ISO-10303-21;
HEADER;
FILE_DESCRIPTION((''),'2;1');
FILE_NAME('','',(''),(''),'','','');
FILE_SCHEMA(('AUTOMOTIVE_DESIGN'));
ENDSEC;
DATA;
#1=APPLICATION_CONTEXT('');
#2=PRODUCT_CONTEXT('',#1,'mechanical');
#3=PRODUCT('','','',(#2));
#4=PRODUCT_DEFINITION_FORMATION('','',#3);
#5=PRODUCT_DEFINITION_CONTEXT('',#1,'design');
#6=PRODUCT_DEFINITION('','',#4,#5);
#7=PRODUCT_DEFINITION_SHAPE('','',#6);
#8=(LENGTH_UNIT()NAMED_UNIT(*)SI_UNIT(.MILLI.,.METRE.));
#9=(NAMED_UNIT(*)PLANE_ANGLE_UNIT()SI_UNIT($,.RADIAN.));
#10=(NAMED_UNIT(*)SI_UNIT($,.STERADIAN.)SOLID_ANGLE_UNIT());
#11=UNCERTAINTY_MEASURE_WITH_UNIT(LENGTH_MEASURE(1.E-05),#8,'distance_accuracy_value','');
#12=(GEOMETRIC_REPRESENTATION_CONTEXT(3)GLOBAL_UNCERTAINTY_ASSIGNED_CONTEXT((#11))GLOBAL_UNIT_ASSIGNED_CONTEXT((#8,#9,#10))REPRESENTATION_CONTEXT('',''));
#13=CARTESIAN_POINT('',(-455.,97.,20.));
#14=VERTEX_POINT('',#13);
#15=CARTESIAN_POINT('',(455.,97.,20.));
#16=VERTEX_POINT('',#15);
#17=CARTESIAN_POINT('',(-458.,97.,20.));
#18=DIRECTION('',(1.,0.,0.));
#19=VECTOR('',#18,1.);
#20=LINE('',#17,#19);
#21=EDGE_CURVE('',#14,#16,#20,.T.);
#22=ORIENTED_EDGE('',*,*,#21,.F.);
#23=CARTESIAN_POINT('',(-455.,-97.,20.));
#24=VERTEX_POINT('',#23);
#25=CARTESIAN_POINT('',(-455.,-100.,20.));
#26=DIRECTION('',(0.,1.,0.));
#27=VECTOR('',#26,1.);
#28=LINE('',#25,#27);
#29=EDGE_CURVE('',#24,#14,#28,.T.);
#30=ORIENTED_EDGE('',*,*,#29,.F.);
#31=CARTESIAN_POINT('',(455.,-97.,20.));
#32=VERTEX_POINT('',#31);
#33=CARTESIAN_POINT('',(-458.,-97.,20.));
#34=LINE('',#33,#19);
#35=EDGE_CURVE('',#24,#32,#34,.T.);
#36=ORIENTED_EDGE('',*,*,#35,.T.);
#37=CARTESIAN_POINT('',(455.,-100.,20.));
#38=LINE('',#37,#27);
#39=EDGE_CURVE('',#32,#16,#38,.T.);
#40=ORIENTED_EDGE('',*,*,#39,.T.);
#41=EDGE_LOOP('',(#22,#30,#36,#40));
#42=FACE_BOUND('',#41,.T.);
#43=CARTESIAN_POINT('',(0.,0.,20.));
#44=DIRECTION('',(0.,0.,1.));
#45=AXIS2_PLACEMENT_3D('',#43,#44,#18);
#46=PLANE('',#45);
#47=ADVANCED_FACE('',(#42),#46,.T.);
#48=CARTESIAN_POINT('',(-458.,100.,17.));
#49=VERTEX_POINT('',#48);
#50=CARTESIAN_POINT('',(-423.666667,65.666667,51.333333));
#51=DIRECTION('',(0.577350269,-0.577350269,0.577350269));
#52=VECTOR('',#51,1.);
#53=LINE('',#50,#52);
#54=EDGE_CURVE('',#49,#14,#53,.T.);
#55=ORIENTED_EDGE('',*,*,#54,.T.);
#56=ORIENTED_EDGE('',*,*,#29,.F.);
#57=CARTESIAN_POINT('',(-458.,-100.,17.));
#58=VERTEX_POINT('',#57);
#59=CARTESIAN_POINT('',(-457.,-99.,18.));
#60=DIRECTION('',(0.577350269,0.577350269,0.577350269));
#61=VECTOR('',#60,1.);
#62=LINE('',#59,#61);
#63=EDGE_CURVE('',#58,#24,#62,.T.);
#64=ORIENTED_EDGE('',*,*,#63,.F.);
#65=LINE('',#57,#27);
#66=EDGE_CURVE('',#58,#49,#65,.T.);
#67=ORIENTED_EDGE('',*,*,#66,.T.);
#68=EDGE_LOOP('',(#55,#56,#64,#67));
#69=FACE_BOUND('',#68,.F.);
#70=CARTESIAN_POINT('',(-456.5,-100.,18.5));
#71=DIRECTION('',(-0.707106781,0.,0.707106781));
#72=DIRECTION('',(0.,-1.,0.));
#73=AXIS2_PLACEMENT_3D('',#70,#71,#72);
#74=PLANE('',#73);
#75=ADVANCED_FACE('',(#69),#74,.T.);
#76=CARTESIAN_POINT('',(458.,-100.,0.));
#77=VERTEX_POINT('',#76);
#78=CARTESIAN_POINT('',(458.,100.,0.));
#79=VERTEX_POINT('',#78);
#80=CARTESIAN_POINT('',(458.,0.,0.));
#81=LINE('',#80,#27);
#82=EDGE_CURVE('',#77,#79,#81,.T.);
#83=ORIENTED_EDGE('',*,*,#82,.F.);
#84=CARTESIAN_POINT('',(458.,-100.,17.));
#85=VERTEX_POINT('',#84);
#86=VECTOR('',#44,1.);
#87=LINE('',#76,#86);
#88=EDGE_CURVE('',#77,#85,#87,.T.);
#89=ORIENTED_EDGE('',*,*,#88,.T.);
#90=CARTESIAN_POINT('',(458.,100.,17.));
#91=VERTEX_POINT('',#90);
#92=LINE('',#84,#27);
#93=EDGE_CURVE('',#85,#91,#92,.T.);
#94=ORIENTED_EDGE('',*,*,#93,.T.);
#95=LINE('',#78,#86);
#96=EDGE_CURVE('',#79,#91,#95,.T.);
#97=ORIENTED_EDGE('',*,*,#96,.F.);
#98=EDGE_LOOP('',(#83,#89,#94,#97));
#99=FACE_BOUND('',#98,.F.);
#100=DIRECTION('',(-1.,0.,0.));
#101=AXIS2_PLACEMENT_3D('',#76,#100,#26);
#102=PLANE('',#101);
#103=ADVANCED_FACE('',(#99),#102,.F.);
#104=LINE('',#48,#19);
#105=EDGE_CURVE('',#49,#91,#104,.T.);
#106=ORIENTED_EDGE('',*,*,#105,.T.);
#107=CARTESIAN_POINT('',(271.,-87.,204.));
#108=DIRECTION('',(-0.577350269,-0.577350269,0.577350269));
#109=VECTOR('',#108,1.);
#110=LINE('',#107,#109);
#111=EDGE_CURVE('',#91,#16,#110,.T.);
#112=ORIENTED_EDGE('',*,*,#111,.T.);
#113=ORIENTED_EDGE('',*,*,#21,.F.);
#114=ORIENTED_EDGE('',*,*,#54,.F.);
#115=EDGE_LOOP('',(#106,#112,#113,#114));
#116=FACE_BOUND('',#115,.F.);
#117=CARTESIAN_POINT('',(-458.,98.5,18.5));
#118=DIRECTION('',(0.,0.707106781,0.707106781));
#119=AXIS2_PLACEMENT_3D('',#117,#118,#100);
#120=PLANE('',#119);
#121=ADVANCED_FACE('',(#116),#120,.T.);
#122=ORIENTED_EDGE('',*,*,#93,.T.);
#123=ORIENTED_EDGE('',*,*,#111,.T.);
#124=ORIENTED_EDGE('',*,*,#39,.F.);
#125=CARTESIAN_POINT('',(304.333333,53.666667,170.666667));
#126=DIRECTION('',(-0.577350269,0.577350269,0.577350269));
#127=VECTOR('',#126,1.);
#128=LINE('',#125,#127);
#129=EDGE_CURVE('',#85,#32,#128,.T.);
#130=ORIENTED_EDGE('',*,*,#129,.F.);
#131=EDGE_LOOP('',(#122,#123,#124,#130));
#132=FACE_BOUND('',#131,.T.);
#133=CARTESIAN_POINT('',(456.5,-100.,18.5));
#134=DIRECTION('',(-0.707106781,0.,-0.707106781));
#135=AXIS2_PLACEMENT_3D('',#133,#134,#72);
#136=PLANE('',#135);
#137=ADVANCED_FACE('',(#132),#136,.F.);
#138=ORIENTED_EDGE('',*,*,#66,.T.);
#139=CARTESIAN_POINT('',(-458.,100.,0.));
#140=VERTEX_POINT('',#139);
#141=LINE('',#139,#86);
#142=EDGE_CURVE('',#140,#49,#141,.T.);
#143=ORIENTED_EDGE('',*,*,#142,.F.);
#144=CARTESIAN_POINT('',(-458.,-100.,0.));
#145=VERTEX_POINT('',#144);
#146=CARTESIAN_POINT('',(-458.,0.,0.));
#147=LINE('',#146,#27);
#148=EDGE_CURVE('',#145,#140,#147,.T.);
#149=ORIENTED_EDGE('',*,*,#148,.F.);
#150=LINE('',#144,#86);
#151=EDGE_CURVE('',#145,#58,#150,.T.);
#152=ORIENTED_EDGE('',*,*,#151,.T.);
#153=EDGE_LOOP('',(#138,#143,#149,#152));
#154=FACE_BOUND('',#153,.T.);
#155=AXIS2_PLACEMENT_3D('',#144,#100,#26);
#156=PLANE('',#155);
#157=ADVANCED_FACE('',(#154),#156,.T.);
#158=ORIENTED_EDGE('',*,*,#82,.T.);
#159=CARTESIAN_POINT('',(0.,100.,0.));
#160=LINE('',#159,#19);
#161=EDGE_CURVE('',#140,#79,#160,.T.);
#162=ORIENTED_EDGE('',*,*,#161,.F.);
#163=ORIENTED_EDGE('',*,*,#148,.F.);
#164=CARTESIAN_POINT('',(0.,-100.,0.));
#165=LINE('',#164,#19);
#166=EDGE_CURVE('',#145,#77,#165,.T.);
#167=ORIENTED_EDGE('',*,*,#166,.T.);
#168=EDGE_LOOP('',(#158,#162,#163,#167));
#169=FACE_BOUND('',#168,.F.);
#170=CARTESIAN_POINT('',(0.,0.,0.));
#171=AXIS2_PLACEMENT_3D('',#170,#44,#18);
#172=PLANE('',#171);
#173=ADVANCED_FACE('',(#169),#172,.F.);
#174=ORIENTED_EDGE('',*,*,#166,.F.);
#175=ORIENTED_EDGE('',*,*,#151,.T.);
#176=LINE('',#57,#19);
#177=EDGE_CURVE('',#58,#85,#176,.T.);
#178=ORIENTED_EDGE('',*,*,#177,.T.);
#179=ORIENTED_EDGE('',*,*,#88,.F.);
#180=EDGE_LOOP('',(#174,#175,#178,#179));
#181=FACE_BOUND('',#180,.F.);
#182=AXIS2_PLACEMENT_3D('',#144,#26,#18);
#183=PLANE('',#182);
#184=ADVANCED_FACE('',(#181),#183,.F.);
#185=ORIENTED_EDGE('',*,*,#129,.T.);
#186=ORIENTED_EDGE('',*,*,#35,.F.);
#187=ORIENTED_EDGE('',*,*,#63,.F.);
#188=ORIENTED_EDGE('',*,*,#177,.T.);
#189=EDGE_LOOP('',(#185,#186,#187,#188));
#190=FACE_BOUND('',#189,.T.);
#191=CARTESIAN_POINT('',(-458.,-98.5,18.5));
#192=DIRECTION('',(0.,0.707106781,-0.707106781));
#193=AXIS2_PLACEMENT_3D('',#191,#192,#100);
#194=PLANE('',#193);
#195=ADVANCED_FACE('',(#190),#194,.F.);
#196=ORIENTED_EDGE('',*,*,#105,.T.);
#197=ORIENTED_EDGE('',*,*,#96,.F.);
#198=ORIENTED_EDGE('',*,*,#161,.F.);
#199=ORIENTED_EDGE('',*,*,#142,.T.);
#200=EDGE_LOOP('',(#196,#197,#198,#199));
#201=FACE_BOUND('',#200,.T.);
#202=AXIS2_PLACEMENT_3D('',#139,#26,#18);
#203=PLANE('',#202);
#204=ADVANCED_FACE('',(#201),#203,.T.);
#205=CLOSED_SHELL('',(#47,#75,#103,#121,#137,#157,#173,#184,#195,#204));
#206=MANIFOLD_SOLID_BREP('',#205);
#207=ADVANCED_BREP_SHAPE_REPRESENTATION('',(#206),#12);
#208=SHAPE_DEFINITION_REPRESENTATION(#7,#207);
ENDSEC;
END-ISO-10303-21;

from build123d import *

# Parameters (mm, degrees)
F0_W     = 916
F0_H     = 200
F1_DEPTH = 20
F2_SIZE  = 3


with BuildPart() as f1:
    # F0 (on Top) → F1 (new body)
    with BuildSketch(Plane.XY):
        Rectangle(F0_W, F0_H)
    extrude(amount=F1_DEPTH)

    # F2
    f2_edges = [f1.edges().sort_by_distance(p)[0] for p in [
        (0, 100, 20),
        (-458, 0, 20),
        (0, -100, 20),
        (458, 0, 20),
    ]]
    chamfer(f2_edges, length=F2_SIZE)


solid = f1.part
